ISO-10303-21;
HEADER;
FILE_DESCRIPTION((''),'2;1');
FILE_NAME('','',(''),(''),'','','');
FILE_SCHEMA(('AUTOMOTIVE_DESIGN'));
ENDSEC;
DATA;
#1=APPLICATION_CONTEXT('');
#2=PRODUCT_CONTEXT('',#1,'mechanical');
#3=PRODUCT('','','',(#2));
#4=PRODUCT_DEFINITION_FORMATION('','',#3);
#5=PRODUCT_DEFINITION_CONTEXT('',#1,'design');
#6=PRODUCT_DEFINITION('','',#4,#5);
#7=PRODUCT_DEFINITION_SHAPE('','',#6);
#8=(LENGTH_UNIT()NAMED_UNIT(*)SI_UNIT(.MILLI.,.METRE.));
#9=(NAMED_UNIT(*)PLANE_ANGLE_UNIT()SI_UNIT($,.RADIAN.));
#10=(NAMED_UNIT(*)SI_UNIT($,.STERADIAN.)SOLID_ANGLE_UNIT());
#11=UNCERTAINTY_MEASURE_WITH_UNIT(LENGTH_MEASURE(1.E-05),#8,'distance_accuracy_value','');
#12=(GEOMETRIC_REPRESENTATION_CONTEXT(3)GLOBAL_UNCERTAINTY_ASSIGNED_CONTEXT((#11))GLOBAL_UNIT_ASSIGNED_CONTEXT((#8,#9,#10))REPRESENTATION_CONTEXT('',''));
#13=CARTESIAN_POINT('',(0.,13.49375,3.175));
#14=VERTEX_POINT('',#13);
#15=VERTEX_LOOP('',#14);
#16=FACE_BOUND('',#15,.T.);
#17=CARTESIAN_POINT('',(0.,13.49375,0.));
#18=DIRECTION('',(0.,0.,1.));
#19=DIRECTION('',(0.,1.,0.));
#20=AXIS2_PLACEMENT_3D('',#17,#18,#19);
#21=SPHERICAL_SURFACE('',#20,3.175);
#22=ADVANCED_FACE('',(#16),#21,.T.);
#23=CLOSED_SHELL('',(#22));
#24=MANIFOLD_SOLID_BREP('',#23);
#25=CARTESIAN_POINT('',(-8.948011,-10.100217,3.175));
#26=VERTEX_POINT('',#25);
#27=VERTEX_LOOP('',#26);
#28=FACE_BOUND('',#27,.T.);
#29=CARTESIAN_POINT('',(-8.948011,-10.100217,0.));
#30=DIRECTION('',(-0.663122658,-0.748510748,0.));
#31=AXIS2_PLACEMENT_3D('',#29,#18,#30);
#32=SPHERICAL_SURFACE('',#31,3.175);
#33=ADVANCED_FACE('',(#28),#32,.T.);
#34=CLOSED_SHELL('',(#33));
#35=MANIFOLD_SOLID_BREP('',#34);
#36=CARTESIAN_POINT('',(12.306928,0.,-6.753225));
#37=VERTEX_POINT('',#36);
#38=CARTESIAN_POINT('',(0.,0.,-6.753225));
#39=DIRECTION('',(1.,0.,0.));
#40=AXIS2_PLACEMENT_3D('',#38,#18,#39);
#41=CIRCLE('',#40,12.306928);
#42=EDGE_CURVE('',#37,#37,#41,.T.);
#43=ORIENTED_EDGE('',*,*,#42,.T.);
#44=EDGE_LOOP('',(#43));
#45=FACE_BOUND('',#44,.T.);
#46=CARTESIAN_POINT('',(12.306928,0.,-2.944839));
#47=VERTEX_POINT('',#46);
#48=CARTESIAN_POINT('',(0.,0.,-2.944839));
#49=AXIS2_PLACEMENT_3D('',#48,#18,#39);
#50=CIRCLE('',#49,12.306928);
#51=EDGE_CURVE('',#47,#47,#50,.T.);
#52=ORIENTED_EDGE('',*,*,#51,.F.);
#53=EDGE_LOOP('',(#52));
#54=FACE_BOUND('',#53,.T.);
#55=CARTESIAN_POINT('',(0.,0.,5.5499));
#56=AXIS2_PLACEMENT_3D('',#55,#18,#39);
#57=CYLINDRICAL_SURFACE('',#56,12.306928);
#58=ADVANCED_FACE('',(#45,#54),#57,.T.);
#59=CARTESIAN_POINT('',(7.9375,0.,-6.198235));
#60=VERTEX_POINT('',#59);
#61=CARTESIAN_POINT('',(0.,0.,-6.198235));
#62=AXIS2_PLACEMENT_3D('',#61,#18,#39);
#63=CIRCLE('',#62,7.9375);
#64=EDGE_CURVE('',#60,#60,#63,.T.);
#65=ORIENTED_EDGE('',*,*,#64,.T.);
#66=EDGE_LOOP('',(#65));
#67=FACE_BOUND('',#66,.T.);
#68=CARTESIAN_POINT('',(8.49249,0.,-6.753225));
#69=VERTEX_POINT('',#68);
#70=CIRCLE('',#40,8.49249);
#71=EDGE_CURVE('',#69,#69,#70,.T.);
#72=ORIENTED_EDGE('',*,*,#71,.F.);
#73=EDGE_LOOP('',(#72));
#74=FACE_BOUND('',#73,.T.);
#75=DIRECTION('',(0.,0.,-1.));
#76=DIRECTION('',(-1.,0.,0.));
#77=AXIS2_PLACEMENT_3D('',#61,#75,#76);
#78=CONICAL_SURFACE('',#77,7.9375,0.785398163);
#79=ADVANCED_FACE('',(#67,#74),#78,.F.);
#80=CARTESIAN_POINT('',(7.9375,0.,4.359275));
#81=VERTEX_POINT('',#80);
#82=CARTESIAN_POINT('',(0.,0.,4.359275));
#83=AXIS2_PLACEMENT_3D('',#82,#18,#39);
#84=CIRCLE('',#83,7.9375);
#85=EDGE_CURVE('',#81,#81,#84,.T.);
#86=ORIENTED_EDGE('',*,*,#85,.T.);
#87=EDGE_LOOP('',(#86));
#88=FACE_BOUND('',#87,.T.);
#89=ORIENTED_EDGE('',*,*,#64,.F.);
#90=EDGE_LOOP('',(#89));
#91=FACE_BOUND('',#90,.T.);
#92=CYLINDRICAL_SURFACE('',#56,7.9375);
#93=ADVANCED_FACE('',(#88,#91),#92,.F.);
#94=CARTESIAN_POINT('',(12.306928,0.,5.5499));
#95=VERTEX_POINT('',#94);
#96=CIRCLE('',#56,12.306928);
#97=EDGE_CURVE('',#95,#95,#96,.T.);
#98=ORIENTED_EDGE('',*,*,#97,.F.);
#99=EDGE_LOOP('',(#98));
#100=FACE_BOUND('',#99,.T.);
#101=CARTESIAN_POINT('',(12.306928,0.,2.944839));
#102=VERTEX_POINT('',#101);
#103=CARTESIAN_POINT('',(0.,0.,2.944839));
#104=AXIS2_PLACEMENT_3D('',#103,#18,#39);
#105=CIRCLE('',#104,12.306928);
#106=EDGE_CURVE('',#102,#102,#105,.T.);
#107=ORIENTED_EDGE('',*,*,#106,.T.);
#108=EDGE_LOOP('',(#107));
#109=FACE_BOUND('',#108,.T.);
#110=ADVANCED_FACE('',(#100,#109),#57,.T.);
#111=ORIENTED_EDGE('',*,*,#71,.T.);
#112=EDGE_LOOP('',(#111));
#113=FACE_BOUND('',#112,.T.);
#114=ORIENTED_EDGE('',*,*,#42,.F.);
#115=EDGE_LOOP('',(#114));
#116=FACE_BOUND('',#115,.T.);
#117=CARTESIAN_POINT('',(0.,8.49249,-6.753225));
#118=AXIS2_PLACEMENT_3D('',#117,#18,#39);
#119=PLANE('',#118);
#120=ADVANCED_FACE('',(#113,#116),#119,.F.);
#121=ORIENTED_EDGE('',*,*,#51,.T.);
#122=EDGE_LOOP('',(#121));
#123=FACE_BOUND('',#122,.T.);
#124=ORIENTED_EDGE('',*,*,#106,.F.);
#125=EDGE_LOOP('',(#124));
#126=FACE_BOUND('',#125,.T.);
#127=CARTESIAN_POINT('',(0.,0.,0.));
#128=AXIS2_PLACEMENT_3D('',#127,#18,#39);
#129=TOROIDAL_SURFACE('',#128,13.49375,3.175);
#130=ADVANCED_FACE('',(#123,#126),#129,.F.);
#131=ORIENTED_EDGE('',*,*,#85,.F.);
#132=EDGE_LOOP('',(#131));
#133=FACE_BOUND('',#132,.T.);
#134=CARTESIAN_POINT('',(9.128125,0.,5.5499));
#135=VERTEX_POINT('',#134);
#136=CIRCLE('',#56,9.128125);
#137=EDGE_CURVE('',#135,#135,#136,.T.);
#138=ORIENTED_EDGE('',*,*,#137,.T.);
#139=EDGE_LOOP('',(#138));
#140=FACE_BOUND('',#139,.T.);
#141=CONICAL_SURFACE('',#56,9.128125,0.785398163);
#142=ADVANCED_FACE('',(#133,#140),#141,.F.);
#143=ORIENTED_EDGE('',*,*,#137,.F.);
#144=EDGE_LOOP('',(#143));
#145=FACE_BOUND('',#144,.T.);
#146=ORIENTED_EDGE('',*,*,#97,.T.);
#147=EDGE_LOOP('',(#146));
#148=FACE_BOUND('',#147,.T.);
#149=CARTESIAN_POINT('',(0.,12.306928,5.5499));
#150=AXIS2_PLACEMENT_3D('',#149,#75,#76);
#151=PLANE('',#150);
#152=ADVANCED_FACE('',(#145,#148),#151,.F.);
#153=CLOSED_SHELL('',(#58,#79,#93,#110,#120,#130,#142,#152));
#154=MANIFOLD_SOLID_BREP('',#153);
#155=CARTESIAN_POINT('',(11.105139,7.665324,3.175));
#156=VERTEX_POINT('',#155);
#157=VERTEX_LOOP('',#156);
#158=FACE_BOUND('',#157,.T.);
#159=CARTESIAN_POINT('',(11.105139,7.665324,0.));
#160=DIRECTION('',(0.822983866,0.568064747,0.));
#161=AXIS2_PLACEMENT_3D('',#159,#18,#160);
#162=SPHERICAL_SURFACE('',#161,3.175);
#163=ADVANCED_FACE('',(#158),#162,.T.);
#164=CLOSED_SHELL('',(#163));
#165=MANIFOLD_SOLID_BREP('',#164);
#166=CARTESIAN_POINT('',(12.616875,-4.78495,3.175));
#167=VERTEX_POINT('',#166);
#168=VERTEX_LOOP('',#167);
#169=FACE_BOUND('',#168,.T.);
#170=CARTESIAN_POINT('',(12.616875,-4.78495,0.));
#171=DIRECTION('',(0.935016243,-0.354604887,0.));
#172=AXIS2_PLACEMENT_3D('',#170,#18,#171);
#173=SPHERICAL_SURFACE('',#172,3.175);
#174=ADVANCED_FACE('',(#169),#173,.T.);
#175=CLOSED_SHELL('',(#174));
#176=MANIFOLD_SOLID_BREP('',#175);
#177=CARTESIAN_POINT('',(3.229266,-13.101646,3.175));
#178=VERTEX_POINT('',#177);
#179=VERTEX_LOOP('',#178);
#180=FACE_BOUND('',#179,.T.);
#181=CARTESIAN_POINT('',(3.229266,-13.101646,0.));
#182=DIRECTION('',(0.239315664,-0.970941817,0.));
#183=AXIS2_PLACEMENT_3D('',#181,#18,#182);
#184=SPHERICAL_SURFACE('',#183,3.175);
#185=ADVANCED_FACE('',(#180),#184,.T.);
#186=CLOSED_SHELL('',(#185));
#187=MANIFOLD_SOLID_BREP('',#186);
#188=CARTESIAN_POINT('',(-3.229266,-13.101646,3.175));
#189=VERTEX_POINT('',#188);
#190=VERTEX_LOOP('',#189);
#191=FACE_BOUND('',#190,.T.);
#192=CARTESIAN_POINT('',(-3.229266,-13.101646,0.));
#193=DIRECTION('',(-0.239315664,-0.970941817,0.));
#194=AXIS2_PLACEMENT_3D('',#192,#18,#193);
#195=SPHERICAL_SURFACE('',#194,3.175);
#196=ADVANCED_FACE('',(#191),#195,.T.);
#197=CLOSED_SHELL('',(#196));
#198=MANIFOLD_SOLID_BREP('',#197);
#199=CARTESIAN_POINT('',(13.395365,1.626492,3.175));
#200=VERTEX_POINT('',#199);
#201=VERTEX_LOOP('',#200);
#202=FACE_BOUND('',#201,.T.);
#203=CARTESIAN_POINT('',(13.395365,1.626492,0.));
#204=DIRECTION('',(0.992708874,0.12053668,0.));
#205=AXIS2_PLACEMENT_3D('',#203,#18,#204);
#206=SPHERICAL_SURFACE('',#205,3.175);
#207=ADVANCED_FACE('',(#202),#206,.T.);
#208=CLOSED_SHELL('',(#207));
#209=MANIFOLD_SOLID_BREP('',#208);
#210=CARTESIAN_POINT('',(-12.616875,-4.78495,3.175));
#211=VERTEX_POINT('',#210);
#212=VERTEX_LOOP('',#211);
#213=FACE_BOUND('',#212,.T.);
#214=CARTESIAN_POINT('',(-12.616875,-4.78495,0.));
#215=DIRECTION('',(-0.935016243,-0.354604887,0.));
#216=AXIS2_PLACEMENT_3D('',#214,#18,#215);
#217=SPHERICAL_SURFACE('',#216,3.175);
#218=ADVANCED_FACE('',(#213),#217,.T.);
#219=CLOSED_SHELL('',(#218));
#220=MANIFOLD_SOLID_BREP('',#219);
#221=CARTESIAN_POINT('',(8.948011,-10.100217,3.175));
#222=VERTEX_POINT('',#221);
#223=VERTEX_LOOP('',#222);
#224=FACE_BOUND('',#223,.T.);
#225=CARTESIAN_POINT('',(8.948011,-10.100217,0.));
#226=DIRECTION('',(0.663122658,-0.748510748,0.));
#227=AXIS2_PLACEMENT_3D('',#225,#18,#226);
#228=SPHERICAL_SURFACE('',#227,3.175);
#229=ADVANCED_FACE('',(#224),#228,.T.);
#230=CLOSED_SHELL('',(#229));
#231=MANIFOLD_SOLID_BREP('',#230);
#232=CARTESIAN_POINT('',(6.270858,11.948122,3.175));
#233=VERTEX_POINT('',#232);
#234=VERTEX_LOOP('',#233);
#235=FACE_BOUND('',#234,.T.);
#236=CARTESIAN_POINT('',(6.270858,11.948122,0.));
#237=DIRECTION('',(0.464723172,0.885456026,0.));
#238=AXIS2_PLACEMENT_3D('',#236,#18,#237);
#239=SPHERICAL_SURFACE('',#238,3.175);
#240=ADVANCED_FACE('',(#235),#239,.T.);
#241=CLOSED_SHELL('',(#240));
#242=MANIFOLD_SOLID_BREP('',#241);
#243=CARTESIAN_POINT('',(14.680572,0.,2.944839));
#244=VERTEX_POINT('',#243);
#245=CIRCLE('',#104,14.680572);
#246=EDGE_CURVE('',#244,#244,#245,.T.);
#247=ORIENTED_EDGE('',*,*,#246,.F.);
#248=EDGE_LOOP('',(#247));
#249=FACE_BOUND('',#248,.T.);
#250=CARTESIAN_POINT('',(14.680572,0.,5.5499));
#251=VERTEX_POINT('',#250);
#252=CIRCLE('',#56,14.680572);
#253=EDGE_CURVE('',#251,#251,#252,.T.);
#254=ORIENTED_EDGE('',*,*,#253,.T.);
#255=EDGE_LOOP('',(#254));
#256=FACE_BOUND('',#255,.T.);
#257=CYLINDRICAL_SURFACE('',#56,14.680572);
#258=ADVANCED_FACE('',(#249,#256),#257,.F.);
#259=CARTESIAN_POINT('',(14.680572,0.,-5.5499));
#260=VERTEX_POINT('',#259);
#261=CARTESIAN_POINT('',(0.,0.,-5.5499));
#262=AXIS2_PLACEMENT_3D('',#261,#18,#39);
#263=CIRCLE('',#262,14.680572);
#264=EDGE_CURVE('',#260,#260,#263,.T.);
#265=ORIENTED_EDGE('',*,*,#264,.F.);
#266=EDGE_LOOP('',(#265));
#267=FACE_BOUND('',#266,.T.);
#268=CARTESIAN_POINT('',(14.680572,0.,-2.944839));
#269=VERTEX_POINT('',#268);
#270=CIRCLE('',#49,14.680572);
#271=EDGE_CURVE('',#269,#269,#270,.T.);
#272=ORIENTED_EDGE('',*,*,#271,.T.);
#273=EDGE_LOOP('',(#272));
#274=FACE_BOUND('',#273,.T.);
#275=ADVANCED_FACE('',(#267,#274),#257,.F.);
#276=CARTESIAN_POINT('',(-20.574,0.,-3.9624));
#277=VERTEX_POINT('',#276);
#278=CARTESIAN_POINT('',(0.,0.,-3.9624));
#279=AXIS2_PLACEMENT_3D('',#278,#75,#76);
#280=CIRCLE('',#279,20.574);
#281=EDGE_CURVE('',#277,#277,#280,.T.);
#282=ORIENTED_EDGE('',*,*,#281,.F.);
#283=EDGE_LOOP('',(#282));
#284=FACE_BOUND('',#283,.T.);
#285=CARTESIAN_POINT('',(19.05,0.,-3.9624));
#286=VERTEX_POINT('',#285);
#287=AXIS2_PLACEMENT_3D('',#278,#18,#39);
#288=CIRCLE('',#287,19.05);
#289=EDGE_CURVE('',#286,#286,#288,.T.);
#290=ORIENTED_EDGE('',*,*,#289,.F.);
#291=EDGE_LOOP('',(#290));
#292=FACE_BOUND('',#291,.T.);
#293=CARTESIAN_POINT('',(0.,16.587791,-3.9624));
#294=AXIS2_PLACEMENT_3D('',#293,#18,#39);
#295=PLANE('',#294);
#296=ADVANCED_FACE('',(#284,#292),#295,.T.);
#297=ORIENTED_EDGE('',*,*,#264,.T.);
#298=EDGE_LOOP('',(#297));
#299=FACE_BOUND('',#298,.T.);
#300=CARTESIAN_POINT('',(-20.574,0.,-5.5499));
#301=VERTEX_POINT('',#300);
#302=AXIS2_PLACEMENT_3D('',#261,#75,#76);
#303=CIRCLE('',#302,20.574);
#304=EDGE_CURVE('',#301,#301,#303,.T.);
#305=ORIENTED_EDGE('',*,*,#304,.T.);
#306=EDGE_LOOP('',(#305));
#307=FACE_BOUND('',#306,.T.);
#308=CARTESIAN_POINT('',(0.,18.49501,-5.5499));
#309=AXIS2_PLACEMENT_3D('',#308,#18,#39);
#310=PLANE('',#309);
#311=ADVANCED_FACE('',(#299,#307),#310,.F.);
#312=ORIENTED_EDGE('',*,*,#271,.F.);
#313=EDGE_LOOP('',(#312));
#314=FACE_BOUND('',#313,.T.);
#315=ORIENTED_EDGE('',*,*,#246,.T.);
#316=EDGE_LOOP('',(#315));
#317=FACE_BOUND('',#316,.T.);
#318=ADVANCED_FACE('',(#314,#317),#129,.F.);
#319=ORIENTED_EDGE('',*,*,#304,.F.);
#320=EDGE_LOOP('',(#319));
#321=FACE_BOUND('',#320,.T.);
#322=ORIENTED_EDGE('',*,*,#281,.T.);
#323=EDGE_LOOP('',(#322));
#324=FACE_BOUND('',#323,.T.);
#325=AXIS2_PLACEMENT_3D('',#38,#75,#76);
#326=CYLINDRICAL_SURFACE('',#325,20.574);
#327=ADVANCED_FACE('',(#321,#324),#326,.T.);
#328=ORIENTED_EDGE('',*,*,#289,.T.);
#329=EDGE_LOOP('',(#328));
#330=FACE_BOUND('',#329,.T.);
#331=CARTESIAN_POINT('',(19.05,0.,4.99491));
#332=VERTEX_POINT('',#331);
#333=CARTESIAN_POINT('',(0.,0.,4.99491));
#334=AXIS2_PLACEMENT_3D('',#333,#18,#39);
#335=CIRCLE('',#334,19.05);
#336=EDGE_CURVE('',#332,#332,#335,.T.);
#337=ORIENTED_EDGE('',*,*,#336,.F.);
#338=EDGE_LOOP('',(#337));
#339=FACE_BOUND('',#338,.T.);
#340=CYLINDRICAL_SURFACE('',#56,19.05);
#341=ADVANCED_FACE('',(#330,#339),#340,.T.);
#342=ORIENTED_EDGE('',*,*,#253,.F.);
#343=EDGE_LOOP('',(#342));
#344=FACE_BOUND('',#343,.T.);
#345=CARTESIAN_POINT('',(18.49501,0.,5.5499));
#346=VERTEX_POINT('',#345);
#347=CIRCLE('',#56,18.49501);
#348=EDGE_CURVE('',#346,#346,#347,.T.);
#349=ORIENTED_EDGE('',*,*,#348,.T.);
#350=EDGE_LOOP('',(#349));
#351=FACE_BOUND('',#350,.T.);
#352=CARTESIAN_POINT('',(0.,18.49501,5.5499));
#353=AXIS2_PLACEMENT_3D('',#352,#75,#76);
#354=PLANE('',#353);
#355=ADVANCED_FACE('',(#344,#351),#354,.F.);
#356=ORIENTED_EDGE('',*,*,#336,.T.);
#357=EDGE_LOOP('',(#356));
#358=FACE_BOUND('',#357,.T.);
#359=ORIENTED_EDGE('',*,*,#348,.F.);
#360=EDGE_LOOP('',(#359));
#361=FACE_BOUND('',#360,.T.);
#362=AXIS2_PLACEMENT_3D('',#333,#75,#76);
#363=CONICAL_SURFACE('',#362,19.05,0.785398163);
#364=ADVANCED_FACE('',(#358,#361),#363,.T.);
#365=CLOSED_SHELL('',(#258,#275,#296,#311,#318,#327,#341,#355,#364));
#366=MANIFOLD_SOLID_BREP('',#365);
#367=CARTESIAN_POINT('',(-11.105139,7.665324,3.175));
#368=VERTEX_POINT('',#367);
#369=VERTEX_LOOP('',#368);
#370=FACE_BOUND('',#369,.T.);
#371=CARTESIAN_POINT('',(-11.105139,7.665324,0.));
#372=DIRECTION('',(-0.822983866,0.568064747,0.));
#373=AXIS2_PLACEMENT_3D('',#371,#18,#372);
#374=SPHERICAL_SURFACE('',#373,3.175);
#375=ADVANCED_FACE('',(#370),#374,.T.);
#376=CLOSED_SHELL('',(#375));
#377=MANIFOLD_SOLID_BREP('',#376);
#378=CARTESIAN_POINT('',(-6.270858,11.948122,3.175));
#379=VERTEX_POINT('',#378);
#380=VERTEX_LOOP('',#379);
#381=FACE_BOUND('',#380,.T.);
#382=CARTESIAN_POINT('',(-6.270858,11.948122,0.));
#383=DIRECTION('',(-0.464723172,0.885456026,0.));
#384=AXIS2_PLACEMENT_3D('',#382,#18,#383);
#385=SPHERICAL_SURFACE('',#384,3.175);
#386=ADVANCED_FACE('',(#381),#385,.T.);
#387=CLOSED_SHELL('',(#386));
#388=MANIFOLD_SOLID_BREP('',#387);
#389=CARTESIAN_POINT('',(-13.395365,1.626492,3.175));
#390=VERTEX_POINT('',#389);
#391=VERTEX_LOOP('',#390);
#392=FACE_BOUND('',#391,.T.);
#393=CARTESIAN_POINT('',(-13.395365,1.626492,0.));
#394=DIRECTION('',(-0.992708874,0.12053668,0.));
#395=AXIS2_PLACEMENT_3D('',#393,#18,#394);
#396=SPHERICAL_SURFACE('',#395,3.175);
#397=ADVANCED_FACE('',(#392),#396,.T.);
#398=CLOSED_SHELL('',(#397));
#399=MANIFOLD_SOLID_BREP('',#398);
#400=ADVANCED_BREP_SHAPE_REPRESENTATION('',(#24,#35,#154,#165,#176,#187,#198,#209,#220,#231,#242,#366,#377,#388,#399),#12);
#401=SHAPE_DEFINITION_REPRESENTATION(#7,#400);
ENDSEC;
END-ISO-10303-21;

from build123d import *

# Parameters (mm, degrees)
CIRPATTERN1_COUNT = 13
SKETCH5_W         = 1.5875
SKETCH5_H         = 3.986209011


with BuildPart() as part:
    # Sketch1 → Revolve1 (revolve)
    with BuildSketch(Plane(origin=(0, 0, 0), x_dir=(0, 0, -1), z_dir=(1, 0, 0))):
        with BuildLine():
            Line((4.99491, 19.05), (-4.99491, 19.05))
            Line((-4.99491, 19.05), (-5.5499, 18.49501))
            Line((-5.5499, 18.49501), (-5.5499, 14.680571978))
            Line((-5.5499, 14.680571978), (-2.944839315, 14.680571978))
            ThreePointArc((-2.944839315, 14.680571978), (0, 16.66875), (2.944839315, 14.680571978))
            Line((2.944839315, 14.680571978), (5.5499, 14.680571978))
            Line((5.5499, 14.680571978), (5.5499, 18.49501))
            Line((5.5499, 18.49501), (4.99491, 19.05))
        make_face()
    revolve(axis=Axis((0, 0, 5.5499), (0, 0, -1)))

    # Sketch5 → Revolve5 (revolve)
    with BuildSketch(Plane(origin=(0, 0, 0), x_dir=(0, 0, -1), z_dir=(1, 0, 0))):
        with Locations((4.75615, 18.580895495)):
            Rectangle(SKETCH5_W, SKETCH5_H)
    revolve(axis=Axis((0, 0, -6.753225), (0, 0, 1)))


with BuildPart() as body_2:
    # Sketch2 → Revolve2 (revolve)
    with BuildSketch(Plane(origin=(0, 0, 0), x_dir=(0, 0, -1), z_dir=(1, 0, 0))):
        with BuildLine():
            Line((-5.5499, 12.306928022), (-2.944839315, 12.306928022))
            ThreePointArc((-2.944839315, 12.306928022), (-1.776578906, 10.862325977), (0, 10.31875))
            Line((0, 10.31875), (0, 9.128125))
            Line((0, 9.128125), (-3.960498489, 9.128125))
            Line((-3.960498489, 9.128125), (-5.5499, 10.717526511))
            Line((-5.5499, 10.717526511), (-5.5499, 12.306928022))
        make_face()
    revolve(axis=Axis((0, 0, 5.5499), (0, 0, -1)))

    # Sketch3 → Revolve3 (revolve)
    with BuildSketch(Plane(origin=(0, 0, 0), x_dir=(0, 0, -1), z_dir=(1, 0, 0))):
        with BuildLine():
            Line((-5.5499, 10.717526511), (-3.960498489, 9.128125))
            Line((-3.960498489, 9.128125), (0, 9.128125))
            Line((0, 9.128125), (0, 10.31875))
            ThreePointArc((0, 10.31875), (1.776578906, 10.862325977), (2.944839315, 12.306928022))
            Line((2.944839315, 12.306928022), (6.753225, 12.306928022))
            Line((6.753225, 12.306928022), (6.753225, 8.49249))
            Line((6.753225, 8.49249), (6.198235, 7.9375))
            Line((6.198235, 7.9375), (-4.359275, 7.9375))
            Line((-4.359275, 7.9375), (-5.5499, 9.128125))
            Line((-5.5499, 9.128125), (-5.5499, 10.717526511))
        make_face()
    revolve(axis=Axis((0, 0, 5.5499), (0, 0, -1)))


with BuildPart() as body_3:
    # Sketch4 → Revolve4 (revolve)
    with BuildSketch(Plane(origin=(0, 0, 0), x_dir=(0, 0, -1), z_dir=(1, 0, 0))):
        with BuildLine():
            Line((-3.175, 13.49375), (3.175, 13.49375))
            ThreePointArc((3.175, 13.49375), (0, 16.66875), (-3.175, 13.49375))
        make_face()
    revolve(axis=Axis((0, 13.49375, 3.175), (0, 0, -1)))


with BuildPart() as cirpattern1_1:
    # CirPattern1: pattern copy
    add(body_3.part.rotate(Axis((0, 0, -5.5499), (0, 0, 1)), 1 * 360 / CIRPATTERN1_COUNT))


with BuildPart() as cirpattern1_2:
    # CirPattern1: pattern copy
    add(body_3.part.rotate(Axis((0, 0, -5.5499), (0, 0, 1)), 2 * 360 / CIRPATTERN1_COUNT))


with BuildPart() as cirpattern1_3:
    # CirPattern1: pattern copy
    add(body_3.part.rotate(Axis((0, 0, -5.5499), (0, 0, 1)), 3 * 360 / CIRPATTERN1_COUNT))


with BuildPart() as cirpattern1_4:
    # CirPattern1: pattern copy
    add(body_3.part.rotate(Axis((0, 0, -5.5499), (0, 0, 1)), 4 * 360 / CIRPATTERN1_COUNT))


with BuildPart() as cirpattern1_5:
    # CirPattern1: pattern copy
    add(body_3.part.rotate(Axis((0, 0, -5.5499), (0, 0, 1)), 5 * 360 / CIRPATTERN1_COUNT))


with BuildPart() as cirpattern1_6:
    # CirPattern1: pattern copy
    add(body_3.part.rotate(Axis((0, 0, -5.5499), (0, 0, 1)), 6 * 360 / CIRPATTERN1_COUNT))


with BuildPart() as cirpattern1_7:
    # CirPattern1: pattern copy
    add(body_3.part.rotate(Axis((0, 0, -5.5499), (0, 0, 1)), 7 * 360 / CIRPATTERN1_COUNT))


with BuildPart() as cirpattern1_8:
    # CirPattern1: pattern copy
    add(body_3.part.rotate(Axis((0, 0, -5.5499), (0, 0, 1)), 8 * 360 / CIRPATTERN1_COUNT))


with BuildPart() as cirpattern1_9:
    # CirPattern1: pattern copy
    add(body_3.part.rotate(Axis((0, 0, -5.5499), (0, 0, 1)), 9 * 360 / CIRPATTERN1_COUNT))


with BuildPart() as cirpattern1_10:
    # CirPattern1: pattern copy
    add(body_3.part.rotate(Axis((0, 0, -5.5499), (0, 0, 1)), 10 * 360 / CIRPATTERN1_COUNT))


with BuildPart() as cirpattern1_11:
    # CirPattern1: pattern copy
    add(body_3.part.rotate(Axis((0, 0, -5.5499), (0, 0, 1)), 11 * 360 / CIRPATTERN1_COUNT))


with BuildPart() as cirpattern1_12:
    # CirPattern1: pattern copy
    add(body_3.part.rotate(Axis((0, 0, -5.5499), (0, 0, 1)), 12 * 360 / CIRPATTERN1_COUNT))


solid = Compound([part.part, body_2.part, body_3.part, cirpattern1_1.part, cirpattern1_2.part, cirpattern1_3.part, cirpattern1_4.part, cirpattern1_5.part, cirpattern1_6.part, cirpattern1_7.part, cirpattern1_8.part, cirpattern1_9.part, cirpattern1_10.part, cirpattern1_11.part, cirpattern1_12.part])
